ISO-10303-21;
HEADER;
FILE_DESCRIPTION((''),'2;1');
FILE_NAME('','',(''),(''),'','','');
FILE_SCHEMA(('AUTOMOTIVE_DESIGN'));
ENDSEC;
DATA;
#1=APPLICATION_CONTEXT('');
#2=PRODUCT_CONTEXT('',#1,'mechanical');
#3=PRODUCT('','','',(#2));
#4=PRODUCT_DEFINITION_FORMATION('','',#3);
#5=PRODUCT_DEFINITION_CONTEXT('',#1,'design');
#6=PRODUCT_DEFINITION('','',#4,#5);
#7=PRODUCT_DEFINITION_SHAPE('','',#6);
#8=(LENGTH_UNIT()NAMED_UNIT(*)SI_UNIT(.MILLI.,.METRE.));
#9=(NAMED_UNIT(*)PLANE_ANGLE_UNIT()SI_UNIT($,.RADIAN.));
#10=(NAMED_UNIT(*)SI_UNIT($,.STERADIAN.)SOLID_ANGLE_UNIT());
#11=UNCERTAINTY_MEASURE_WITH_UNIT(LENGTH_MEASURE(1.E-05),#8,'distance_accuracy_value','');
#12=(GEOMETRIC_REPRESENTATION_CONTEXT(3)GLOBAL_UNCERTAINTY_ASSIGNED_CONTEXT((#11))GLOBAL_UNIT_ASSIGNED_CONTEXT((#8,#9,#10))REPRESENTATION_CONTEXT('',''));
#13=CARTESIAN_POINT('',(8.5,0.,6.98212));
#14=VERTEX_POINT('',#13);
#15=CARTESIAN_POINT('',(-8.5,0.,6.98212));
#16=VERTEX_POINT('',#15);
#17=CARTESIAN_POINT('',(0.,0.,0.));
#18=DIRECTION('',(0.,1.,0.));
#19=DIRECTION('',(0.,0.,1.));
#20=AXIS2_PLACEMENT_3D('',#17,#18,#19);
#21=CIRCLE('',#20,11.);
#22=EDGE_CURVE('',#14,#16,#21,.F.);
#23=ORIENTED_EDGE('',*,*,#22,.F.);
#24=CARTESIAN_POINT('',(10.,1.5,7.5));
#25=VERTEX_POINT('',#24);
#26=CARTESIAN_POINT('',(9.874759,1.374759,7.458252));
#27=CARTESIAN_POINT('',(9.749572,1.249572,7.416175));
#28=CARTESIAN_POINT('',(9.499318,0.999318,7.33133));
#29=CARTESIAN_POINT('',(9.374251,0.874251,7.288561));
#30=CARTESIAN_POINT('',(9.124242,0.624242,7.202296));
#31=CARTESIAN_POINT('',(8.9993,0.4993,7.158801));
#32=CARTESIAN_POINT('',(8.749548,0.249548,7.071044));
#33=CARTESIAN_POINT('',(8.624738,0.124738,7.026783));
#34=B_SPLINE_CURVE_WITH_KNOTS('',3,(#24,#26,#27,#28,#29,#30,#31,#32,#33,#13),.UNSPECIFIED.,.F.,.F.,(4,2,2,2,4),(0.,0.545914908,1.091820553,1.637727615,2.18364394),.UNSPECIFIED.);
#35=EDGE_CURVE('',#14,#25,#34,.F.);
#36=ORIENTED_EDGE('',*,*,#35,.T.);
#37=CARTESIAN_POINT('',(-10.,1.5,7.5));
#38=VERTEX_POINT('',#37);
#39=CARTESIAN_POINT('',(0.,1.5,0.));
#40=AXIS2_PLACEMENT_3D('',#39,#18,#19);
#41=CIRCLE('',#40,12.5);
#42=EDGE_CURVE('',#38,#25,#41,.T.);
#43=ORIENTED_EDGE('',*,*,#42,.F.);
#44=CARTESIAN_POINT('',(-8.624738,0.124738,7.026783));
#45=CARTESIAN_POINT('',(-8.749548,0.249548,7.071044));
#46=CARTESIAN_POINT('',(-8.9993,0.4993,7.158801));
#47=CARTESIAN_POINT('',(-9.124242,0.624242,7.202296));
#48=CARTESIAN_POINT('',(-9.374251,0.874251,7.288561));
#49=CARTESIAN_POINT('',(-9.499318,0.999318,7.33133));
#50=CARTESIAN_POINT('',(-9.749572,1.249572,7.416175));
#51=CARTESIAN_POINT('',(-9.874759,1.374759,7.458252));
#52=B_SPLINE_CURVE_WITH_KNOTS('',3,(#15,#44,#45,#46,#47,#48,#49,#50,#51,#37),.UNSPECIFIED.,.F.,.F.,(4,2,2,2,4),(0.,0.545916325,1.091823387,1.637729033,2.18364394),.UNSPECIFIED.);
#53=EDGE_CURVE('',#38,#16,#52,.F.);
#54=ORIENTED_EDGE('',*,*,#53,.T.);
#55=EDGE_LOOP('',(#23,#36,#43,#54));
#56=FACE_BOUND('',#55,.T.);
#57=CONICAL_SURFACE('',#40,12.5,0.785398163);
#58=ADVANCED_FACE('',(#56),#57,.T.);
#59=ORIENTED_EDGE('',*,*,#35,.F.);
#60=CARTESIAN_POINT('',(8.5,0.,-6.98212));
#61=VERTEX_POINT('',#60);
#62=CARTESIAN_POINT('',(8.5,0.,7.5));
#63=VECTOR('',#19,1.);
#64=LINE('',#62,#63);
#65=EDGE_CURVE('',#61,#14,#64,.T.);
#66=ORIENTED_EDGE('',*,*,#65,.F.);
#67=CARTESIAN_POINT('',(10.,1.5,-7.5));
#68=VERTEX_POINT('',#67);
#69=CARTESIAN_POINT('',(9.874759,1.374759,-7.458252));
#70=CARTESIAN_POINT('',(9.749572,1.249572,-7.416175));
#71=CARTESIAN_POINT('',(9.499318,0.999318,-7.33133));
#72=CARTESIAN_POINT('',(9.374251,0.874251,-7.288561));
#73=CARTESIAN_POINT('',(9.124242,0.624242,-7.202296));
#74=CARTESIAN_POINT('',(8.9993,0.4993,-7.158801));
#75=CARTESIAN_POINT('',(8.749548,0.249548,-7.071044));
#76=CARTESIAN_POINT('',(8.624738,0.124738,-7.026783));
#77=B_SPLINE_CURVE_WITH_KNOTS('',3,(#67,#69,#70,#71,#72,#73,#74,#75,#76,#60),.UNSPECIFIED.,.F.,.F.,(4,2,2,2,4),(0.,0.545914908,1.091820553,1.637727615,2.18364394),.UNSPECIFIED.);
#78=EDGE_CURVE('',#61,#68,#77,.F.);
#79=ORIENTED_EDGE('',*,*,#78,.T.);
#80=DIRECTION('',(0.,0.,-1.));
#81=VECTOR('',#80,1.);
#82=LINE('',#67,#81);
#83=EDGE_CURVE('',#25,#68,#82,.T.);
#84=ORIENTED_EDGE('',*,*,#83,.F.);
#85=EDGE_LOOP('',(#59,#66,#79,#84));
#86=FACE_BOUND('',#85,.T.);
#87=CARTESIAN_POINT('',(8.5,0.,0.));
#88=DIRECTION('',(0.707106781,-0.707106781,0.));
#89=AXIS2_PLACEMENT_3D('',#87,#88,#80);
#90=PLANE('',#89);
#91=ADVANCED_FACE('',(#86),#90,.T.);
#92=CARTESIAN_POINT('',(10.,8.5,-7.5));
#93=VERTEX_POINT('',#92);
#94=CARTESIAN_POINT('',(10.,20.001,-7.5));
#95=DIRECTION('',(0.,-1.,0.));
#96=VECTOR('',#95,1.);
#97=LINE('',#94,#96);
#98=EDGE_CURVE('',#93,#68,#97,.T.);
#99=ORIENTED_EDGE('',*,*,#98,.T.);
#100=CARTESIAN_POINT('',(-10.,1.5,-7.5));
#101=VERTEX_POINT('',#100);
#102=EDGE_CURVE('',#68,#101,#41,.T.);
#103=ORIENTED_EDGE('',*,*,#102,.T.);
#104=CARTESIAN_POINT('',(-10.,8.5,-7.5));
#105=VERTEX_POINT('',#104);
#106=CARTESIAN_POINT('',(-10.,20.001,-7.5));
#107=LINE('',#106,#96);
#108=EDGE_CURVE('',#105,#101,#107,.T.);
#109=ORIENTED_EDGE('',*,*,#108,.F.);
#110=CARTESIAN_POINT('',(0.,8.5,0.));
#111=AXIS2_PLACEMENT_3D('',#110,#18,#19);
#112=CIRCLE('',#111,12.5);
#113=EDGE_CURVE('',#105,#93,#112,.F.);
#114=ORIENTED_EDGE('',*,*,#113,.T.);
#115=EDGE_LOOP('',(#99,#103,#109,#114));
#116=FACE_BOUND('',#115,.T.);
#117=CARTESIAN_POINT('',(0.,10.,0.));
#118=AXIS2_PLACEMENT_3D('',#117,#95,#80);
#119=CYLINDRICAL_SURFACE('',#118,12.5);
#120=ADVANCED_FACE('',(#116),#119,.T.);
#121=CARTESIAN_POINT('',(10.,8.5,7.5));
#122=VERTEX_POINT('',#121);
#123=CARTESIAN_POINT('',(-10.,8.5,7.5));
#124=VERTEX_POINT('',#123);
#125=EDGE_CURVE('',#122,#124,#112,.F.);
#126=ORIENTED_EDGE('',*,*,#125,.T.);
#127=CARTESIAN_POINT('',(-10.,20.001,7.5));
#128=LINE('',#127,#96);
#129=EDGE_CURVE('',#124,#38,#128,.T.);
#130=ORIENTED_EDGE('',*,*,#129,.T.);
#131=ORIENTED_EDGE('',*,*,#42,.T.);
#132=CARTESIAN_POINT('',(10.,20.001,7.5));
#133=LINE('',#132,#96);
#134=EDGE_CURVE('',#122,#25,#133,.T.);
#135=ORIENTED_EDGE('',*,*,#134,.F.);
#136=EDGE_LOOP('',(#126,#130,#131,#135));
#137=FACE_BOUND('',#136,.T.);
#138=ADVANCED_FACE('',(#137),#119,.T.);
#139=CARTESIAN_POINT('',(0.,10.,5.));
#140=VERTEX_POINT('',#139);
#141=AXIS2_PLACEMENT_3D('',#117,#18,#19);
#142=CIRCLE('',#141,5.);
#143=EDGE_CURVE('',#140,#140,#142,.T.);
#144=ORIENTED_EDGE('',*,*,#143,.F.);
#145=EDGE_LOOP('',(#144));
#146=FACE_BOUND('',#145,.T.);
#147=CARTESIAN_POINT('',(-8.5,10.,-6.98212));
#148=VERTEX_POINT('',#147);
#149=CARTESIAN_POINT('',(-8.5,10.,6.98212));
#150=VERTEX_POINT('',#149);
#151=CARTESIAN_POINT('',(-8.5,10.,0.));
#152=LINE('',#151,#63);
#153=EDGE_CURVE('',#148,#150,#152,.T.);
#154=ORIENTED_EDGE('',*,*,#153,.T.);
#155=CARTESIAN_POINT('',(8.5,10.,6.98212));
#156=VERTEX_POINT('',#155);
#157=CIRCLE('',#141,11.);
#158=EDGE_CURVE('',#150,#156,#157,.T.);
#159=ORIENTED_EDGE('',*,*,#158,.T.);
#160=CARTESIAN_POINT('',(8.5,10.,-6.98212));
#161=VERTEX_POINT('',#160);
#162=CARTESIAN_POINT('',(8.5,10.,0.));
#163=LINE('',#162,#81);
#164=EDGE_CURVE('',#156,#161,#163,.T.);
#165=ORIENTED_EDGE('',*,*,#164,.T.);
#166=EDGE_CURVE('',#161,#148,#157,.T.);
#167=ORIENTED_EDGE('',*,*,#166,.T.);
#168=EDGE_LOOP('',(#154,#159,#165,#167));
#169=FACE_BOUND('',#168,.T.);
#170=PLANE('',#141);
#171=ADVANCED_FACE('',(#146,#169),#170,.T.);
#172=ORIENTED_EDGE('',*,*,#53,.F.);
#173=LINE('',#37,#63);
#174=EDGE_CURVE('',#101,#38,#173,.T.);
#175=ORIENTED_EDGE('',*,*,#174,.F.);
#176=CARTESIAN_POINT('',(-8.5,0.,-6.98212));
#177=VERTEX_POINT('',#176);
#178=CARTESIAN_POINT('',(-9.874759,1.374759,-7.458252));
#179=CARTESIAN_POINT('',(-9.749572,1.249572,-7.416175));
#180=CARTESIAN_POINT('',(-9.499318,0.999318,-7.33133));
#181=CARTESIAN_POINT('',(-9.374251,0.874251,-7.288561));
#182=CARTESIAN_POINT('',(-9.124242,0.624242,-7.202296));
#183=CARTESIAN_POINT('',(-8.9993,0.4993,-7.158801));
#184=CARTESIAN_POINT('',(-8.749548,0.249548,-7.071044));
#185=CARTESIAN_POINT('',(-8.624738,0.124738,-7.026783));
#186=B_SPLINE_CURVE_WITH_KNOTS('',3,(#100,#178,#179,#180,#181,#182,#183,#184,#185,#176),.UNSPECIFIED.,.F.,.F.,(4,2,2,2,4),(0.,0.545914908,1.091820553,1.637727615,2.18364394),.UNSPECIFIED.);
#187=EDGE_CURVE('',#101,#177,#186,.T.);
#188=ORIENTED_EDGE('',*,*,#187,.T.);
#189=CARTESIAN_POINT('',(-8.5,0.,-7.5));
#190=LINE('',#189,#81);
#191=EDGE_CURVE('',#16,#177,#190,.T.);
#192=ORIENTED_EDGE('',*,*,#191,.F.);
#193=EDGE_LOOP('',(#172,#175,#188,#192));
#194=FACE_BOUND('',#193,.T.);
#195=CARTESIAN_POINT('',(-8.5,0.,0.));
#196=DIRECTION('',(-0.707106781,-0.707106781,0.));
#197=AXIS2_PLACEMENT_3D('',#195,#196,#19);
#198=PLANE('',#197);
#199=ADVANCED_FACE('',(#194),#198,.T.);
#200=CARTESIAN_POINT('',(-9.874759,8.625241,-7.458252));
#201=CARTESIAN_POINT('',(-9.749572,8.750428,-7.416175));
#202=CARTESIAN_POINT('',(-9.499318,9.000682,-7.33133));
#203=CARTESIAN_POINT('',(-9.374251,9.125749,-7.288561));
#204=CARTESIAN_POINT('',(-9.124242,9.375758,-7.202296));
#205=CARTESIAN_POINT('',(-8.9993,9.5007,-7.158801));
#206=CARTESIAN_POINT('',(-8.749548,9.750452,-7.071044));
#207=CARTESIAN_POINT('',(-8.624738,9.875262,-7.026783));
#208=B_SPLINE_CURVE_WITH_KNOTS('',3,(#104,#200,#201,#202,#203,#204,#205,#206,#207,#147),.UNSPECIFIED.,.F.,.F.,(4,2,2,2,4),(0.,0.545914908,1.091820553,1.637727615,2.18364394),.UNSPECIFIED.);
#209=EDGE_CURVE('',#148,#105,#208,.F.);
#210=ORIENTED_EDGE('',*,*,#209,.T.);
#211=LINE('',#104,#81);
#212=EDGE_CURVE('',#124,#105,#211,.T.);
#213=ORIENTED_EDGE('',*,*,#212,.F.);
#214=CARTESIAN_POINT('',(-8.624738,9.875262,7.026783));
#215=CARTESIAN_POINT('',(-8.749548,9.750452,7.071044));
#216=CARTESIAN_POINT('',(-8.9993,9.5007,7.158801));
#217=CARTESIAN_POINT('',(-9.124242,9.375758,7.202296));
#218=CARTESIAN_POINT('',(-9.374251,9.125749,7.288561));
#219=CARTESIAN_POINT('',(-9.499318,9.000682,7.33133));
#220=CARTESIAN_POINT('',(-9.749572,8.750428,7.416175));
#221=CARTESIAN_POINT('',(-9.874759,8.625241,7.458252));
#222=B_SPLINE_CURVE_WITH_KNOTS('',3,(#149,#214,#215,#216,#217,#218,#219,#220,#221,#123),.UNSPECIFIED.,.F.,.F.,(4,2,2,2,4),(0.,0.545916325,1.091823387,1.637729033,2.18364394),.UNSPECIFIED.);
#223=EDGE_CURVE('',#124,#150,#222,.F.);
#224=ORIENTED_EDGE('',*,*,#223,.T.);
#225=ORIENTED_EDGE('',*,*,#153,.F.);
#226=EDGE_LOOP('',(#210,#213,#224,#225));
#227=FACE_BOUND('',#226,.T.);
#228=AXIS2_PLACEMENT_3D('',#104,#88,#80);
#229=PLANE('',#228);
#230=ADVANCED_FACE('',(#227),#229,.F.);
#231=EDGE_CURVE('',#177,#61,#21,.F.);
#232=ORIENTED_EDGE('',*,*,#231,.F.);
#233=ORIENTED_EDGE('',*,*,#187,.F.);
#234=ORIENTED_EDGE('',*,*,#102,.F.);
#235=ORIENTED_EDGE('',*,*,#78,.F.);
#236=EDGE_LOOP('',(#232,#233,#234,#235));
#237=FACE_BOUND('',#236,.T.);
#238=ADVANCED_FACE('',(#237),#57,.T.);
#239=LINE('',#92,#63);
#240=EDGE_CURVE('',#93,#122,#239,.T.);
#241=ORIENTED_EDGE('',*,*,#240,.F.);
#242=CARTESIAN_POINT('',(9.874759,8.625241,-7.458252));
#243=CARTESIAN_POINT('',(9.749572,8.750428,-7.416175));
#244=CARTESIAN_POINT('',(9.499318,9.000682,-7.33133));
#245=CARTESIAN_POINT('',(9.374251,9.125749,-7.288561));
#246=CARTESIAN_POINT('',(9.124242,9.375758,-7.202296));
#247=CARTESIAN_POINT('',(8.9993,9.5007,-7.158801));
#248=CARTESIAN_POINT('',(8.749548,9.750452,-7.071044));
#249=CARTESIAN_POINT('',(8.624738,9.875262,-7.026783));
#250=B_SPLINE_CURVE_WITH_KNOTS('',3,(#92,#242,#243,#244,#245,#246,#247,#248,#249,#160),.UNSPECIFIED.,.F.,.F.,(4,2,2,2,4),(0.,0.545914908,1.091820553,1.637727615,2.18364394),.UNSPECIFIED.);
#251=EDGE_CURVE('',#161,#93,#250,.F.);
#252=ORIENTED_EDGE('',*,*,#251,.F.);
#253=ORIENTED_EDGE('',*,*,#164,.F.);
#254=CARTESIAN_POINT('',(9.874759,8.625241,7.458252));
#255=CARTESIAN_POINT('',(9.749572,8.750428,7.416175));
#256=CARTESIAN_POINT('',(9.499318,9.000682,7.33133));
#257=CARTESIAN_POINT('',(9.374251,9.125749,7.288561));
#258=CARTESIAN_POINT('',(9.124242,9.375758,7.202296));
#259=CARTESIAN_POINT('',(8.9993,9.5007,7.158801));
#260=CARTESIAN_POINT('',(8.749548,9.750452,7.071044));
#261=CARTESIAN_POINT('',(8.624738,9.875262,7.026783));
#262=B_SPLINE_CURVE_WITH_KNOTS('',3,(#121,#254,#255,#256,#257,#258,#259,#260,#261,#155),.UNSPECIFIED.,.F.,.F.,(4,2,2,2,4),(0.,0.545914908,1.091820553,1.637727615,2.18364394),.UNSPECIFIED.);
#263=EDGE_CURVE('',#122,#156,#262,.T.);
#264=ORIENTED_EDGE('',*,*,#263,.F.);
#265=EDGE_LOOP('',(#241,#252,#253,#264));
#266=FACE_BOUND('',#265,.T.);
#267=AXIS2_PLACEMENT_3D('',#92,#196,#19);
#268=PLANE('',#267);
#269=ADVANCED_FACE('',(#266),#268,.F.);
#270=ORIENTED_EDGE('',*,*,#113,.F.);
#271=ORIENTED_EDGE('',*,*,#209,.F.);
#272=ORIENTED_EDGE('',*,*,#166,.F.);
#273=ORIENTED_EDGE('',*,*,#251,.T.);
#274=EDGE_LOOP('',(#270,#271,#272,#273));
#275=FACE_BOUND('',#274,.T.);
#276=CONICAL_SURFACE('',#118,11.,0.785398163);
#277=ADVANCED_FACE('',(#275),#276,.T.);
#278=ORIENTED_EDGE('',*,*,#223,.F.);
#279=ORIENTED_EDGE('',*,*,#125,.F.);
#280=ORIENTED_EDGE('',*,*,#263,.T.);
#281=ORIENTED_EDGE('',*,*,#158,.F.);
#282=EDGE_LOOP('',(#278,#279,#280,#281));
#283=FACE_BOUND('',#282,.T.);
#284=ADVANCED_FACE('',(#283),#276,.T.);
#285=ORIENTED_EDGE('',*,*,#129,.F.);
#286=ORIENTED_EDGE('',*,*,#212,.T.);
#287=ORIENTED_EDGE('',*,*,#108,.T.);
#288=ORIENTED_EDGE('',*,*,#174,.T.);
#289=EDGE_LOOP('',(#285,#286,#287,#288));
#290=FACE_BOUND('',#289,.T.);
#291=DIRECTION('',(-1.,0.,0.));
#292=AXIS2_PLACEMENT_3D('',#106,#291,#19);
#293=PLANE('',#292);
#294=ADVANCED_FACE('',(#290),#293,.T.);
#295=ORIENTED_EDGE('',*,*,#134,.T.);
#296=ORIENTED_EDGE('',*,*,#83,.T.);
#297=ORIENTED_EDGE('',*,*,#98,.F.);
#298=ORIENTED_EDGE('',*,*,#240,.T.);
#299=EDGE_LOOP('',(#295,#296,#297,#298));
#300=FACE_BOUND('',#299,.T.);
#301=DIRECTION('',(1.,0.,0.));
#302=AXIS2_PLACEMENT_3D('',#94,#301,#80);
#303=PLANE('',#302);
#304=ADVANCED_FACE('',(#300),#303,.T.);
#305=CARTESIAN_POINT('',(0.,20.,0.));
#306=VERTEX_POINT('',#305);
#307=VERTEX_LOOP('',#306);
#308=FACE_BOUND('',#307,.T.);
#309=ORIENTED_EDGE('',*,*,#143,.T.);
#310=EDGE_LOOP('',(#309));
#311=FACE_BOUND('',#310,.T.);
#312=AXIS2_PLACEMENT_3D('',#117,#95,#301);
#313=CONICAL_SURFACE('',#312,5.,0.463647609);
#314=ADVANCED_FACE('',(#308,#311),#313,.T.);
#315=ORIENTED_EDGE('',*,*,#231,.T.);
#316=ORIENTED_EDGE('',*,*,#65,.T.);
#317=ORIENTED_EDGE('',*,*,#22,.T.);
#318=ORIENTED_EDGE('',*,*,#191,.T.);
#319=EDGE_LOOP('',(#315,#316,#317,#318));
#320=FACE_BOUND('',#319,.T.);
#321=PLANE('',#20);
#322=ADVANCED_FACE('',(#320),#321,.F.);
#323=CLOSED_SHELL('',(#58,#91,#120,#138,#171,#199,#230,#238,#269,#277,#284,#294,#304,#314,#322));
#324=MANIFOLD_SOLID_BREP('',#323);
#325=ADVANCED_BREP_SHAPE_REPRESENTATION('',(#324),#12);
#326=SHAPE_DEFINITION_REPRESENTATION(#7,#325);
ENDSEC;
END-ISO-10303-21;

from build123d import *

# Parameters (mm, degrees)
SKETCH1_R           = 12.5
BOSS_EXTRUDE2_DEPTH = 10
CUT_EXTRUDE1_REACH  = 28.693
CHAMFER1_SIZE       = 1.5


with BuildPart() as part:
    # Sketch1 → Boss-Extrude2 (new body)
    with BuildSketch(Plane(origin=(0, 0, 0), x_dir=(1, 0, 0), z_dir=(0, 1, 0))):
        with Locations(Location((0, 0, 0), (0, 0, 270))):
            Circle(SKETCH1_R)
    extrude(amount=BOSS_EXTRUDE2_DEPTH)

    # Sketch2 → Revolve1 (revolve)
    with BuildSketch(Plane.XY):
        Polygon((5, 10), (0, 20), (0, 10), align=None)
    revolve(axis=Axis((0, -1000, 0), (0, 1, 0)))

    # Sketch3 → Cut-Extrude1 (cut, up to next)
    with BuildSketch(Plane(origin=(0, 0, 0), x_dir=(1, 0, 0), z_dir=(0, 1, 0)), mode=Mode.PRIVATE) as cut_extrude1_sk1:
        with BuildLine():
            Line((-10, 7.5), (-10, -7.5))
            ThreePointArc((-10, -7.5), (-12.5, 0), (-10, 7.5))
        make_face()
    cut_extrude1_tool1 = extrude(cut_extrude1_sk1.sketch, amount=CUT_EXTRUDE1_REACH, mode=Mode.PRIVATE) & part.part
    # Sketch3 → Cut-Extrude1 (cut, up to next)
    with BuildSketch(Plane(origin=(0, 0, 0), x_dir=(1, 0, 0), z_dir=(0, 1, 0)), mode=Mode.PRIVATE) as cut_extrude1_sk2:
        with BuildLine():
            Line((10, 7.5), (10, -7.5))
            ThreePointArc((10, -7.5), (12.5, 0), (10, 7.5))
        make_face()
    cut_extrude1_tool2 = extrude(cut_extrude1_sk2.sketch, amount=CUT_EXTRUDE1_REACH, mode=Mode.PRIVATE) & part.part
    add(cut_extrude1_tool1.solids().sort_by_distance((-11.0091, 0, 0))[0], mode=Mode.SUBTRACT)
    add(cut_extrude1_tool2.solids().sort_by_distance((11.0091, 0, 0))[0], mode=Mode.SUBTRACT)

    # Chamfer1
    chamfer1_edges = [part.edges().sort_by_distance(p)[0] for p in [
        (0, 10, -12.5),
        (0, 10, 12.5),
        (-10, 0, 0),
        (-10, 10, 0),
        (10, 0, 0),
        (10, 10, 0),
        (0, 0, -12.5),
        (0, 0, 12.5),
    ]]
    chamfer(chamfer1_edges, length=CHAMFER1_SIZE)


solid = part.part
